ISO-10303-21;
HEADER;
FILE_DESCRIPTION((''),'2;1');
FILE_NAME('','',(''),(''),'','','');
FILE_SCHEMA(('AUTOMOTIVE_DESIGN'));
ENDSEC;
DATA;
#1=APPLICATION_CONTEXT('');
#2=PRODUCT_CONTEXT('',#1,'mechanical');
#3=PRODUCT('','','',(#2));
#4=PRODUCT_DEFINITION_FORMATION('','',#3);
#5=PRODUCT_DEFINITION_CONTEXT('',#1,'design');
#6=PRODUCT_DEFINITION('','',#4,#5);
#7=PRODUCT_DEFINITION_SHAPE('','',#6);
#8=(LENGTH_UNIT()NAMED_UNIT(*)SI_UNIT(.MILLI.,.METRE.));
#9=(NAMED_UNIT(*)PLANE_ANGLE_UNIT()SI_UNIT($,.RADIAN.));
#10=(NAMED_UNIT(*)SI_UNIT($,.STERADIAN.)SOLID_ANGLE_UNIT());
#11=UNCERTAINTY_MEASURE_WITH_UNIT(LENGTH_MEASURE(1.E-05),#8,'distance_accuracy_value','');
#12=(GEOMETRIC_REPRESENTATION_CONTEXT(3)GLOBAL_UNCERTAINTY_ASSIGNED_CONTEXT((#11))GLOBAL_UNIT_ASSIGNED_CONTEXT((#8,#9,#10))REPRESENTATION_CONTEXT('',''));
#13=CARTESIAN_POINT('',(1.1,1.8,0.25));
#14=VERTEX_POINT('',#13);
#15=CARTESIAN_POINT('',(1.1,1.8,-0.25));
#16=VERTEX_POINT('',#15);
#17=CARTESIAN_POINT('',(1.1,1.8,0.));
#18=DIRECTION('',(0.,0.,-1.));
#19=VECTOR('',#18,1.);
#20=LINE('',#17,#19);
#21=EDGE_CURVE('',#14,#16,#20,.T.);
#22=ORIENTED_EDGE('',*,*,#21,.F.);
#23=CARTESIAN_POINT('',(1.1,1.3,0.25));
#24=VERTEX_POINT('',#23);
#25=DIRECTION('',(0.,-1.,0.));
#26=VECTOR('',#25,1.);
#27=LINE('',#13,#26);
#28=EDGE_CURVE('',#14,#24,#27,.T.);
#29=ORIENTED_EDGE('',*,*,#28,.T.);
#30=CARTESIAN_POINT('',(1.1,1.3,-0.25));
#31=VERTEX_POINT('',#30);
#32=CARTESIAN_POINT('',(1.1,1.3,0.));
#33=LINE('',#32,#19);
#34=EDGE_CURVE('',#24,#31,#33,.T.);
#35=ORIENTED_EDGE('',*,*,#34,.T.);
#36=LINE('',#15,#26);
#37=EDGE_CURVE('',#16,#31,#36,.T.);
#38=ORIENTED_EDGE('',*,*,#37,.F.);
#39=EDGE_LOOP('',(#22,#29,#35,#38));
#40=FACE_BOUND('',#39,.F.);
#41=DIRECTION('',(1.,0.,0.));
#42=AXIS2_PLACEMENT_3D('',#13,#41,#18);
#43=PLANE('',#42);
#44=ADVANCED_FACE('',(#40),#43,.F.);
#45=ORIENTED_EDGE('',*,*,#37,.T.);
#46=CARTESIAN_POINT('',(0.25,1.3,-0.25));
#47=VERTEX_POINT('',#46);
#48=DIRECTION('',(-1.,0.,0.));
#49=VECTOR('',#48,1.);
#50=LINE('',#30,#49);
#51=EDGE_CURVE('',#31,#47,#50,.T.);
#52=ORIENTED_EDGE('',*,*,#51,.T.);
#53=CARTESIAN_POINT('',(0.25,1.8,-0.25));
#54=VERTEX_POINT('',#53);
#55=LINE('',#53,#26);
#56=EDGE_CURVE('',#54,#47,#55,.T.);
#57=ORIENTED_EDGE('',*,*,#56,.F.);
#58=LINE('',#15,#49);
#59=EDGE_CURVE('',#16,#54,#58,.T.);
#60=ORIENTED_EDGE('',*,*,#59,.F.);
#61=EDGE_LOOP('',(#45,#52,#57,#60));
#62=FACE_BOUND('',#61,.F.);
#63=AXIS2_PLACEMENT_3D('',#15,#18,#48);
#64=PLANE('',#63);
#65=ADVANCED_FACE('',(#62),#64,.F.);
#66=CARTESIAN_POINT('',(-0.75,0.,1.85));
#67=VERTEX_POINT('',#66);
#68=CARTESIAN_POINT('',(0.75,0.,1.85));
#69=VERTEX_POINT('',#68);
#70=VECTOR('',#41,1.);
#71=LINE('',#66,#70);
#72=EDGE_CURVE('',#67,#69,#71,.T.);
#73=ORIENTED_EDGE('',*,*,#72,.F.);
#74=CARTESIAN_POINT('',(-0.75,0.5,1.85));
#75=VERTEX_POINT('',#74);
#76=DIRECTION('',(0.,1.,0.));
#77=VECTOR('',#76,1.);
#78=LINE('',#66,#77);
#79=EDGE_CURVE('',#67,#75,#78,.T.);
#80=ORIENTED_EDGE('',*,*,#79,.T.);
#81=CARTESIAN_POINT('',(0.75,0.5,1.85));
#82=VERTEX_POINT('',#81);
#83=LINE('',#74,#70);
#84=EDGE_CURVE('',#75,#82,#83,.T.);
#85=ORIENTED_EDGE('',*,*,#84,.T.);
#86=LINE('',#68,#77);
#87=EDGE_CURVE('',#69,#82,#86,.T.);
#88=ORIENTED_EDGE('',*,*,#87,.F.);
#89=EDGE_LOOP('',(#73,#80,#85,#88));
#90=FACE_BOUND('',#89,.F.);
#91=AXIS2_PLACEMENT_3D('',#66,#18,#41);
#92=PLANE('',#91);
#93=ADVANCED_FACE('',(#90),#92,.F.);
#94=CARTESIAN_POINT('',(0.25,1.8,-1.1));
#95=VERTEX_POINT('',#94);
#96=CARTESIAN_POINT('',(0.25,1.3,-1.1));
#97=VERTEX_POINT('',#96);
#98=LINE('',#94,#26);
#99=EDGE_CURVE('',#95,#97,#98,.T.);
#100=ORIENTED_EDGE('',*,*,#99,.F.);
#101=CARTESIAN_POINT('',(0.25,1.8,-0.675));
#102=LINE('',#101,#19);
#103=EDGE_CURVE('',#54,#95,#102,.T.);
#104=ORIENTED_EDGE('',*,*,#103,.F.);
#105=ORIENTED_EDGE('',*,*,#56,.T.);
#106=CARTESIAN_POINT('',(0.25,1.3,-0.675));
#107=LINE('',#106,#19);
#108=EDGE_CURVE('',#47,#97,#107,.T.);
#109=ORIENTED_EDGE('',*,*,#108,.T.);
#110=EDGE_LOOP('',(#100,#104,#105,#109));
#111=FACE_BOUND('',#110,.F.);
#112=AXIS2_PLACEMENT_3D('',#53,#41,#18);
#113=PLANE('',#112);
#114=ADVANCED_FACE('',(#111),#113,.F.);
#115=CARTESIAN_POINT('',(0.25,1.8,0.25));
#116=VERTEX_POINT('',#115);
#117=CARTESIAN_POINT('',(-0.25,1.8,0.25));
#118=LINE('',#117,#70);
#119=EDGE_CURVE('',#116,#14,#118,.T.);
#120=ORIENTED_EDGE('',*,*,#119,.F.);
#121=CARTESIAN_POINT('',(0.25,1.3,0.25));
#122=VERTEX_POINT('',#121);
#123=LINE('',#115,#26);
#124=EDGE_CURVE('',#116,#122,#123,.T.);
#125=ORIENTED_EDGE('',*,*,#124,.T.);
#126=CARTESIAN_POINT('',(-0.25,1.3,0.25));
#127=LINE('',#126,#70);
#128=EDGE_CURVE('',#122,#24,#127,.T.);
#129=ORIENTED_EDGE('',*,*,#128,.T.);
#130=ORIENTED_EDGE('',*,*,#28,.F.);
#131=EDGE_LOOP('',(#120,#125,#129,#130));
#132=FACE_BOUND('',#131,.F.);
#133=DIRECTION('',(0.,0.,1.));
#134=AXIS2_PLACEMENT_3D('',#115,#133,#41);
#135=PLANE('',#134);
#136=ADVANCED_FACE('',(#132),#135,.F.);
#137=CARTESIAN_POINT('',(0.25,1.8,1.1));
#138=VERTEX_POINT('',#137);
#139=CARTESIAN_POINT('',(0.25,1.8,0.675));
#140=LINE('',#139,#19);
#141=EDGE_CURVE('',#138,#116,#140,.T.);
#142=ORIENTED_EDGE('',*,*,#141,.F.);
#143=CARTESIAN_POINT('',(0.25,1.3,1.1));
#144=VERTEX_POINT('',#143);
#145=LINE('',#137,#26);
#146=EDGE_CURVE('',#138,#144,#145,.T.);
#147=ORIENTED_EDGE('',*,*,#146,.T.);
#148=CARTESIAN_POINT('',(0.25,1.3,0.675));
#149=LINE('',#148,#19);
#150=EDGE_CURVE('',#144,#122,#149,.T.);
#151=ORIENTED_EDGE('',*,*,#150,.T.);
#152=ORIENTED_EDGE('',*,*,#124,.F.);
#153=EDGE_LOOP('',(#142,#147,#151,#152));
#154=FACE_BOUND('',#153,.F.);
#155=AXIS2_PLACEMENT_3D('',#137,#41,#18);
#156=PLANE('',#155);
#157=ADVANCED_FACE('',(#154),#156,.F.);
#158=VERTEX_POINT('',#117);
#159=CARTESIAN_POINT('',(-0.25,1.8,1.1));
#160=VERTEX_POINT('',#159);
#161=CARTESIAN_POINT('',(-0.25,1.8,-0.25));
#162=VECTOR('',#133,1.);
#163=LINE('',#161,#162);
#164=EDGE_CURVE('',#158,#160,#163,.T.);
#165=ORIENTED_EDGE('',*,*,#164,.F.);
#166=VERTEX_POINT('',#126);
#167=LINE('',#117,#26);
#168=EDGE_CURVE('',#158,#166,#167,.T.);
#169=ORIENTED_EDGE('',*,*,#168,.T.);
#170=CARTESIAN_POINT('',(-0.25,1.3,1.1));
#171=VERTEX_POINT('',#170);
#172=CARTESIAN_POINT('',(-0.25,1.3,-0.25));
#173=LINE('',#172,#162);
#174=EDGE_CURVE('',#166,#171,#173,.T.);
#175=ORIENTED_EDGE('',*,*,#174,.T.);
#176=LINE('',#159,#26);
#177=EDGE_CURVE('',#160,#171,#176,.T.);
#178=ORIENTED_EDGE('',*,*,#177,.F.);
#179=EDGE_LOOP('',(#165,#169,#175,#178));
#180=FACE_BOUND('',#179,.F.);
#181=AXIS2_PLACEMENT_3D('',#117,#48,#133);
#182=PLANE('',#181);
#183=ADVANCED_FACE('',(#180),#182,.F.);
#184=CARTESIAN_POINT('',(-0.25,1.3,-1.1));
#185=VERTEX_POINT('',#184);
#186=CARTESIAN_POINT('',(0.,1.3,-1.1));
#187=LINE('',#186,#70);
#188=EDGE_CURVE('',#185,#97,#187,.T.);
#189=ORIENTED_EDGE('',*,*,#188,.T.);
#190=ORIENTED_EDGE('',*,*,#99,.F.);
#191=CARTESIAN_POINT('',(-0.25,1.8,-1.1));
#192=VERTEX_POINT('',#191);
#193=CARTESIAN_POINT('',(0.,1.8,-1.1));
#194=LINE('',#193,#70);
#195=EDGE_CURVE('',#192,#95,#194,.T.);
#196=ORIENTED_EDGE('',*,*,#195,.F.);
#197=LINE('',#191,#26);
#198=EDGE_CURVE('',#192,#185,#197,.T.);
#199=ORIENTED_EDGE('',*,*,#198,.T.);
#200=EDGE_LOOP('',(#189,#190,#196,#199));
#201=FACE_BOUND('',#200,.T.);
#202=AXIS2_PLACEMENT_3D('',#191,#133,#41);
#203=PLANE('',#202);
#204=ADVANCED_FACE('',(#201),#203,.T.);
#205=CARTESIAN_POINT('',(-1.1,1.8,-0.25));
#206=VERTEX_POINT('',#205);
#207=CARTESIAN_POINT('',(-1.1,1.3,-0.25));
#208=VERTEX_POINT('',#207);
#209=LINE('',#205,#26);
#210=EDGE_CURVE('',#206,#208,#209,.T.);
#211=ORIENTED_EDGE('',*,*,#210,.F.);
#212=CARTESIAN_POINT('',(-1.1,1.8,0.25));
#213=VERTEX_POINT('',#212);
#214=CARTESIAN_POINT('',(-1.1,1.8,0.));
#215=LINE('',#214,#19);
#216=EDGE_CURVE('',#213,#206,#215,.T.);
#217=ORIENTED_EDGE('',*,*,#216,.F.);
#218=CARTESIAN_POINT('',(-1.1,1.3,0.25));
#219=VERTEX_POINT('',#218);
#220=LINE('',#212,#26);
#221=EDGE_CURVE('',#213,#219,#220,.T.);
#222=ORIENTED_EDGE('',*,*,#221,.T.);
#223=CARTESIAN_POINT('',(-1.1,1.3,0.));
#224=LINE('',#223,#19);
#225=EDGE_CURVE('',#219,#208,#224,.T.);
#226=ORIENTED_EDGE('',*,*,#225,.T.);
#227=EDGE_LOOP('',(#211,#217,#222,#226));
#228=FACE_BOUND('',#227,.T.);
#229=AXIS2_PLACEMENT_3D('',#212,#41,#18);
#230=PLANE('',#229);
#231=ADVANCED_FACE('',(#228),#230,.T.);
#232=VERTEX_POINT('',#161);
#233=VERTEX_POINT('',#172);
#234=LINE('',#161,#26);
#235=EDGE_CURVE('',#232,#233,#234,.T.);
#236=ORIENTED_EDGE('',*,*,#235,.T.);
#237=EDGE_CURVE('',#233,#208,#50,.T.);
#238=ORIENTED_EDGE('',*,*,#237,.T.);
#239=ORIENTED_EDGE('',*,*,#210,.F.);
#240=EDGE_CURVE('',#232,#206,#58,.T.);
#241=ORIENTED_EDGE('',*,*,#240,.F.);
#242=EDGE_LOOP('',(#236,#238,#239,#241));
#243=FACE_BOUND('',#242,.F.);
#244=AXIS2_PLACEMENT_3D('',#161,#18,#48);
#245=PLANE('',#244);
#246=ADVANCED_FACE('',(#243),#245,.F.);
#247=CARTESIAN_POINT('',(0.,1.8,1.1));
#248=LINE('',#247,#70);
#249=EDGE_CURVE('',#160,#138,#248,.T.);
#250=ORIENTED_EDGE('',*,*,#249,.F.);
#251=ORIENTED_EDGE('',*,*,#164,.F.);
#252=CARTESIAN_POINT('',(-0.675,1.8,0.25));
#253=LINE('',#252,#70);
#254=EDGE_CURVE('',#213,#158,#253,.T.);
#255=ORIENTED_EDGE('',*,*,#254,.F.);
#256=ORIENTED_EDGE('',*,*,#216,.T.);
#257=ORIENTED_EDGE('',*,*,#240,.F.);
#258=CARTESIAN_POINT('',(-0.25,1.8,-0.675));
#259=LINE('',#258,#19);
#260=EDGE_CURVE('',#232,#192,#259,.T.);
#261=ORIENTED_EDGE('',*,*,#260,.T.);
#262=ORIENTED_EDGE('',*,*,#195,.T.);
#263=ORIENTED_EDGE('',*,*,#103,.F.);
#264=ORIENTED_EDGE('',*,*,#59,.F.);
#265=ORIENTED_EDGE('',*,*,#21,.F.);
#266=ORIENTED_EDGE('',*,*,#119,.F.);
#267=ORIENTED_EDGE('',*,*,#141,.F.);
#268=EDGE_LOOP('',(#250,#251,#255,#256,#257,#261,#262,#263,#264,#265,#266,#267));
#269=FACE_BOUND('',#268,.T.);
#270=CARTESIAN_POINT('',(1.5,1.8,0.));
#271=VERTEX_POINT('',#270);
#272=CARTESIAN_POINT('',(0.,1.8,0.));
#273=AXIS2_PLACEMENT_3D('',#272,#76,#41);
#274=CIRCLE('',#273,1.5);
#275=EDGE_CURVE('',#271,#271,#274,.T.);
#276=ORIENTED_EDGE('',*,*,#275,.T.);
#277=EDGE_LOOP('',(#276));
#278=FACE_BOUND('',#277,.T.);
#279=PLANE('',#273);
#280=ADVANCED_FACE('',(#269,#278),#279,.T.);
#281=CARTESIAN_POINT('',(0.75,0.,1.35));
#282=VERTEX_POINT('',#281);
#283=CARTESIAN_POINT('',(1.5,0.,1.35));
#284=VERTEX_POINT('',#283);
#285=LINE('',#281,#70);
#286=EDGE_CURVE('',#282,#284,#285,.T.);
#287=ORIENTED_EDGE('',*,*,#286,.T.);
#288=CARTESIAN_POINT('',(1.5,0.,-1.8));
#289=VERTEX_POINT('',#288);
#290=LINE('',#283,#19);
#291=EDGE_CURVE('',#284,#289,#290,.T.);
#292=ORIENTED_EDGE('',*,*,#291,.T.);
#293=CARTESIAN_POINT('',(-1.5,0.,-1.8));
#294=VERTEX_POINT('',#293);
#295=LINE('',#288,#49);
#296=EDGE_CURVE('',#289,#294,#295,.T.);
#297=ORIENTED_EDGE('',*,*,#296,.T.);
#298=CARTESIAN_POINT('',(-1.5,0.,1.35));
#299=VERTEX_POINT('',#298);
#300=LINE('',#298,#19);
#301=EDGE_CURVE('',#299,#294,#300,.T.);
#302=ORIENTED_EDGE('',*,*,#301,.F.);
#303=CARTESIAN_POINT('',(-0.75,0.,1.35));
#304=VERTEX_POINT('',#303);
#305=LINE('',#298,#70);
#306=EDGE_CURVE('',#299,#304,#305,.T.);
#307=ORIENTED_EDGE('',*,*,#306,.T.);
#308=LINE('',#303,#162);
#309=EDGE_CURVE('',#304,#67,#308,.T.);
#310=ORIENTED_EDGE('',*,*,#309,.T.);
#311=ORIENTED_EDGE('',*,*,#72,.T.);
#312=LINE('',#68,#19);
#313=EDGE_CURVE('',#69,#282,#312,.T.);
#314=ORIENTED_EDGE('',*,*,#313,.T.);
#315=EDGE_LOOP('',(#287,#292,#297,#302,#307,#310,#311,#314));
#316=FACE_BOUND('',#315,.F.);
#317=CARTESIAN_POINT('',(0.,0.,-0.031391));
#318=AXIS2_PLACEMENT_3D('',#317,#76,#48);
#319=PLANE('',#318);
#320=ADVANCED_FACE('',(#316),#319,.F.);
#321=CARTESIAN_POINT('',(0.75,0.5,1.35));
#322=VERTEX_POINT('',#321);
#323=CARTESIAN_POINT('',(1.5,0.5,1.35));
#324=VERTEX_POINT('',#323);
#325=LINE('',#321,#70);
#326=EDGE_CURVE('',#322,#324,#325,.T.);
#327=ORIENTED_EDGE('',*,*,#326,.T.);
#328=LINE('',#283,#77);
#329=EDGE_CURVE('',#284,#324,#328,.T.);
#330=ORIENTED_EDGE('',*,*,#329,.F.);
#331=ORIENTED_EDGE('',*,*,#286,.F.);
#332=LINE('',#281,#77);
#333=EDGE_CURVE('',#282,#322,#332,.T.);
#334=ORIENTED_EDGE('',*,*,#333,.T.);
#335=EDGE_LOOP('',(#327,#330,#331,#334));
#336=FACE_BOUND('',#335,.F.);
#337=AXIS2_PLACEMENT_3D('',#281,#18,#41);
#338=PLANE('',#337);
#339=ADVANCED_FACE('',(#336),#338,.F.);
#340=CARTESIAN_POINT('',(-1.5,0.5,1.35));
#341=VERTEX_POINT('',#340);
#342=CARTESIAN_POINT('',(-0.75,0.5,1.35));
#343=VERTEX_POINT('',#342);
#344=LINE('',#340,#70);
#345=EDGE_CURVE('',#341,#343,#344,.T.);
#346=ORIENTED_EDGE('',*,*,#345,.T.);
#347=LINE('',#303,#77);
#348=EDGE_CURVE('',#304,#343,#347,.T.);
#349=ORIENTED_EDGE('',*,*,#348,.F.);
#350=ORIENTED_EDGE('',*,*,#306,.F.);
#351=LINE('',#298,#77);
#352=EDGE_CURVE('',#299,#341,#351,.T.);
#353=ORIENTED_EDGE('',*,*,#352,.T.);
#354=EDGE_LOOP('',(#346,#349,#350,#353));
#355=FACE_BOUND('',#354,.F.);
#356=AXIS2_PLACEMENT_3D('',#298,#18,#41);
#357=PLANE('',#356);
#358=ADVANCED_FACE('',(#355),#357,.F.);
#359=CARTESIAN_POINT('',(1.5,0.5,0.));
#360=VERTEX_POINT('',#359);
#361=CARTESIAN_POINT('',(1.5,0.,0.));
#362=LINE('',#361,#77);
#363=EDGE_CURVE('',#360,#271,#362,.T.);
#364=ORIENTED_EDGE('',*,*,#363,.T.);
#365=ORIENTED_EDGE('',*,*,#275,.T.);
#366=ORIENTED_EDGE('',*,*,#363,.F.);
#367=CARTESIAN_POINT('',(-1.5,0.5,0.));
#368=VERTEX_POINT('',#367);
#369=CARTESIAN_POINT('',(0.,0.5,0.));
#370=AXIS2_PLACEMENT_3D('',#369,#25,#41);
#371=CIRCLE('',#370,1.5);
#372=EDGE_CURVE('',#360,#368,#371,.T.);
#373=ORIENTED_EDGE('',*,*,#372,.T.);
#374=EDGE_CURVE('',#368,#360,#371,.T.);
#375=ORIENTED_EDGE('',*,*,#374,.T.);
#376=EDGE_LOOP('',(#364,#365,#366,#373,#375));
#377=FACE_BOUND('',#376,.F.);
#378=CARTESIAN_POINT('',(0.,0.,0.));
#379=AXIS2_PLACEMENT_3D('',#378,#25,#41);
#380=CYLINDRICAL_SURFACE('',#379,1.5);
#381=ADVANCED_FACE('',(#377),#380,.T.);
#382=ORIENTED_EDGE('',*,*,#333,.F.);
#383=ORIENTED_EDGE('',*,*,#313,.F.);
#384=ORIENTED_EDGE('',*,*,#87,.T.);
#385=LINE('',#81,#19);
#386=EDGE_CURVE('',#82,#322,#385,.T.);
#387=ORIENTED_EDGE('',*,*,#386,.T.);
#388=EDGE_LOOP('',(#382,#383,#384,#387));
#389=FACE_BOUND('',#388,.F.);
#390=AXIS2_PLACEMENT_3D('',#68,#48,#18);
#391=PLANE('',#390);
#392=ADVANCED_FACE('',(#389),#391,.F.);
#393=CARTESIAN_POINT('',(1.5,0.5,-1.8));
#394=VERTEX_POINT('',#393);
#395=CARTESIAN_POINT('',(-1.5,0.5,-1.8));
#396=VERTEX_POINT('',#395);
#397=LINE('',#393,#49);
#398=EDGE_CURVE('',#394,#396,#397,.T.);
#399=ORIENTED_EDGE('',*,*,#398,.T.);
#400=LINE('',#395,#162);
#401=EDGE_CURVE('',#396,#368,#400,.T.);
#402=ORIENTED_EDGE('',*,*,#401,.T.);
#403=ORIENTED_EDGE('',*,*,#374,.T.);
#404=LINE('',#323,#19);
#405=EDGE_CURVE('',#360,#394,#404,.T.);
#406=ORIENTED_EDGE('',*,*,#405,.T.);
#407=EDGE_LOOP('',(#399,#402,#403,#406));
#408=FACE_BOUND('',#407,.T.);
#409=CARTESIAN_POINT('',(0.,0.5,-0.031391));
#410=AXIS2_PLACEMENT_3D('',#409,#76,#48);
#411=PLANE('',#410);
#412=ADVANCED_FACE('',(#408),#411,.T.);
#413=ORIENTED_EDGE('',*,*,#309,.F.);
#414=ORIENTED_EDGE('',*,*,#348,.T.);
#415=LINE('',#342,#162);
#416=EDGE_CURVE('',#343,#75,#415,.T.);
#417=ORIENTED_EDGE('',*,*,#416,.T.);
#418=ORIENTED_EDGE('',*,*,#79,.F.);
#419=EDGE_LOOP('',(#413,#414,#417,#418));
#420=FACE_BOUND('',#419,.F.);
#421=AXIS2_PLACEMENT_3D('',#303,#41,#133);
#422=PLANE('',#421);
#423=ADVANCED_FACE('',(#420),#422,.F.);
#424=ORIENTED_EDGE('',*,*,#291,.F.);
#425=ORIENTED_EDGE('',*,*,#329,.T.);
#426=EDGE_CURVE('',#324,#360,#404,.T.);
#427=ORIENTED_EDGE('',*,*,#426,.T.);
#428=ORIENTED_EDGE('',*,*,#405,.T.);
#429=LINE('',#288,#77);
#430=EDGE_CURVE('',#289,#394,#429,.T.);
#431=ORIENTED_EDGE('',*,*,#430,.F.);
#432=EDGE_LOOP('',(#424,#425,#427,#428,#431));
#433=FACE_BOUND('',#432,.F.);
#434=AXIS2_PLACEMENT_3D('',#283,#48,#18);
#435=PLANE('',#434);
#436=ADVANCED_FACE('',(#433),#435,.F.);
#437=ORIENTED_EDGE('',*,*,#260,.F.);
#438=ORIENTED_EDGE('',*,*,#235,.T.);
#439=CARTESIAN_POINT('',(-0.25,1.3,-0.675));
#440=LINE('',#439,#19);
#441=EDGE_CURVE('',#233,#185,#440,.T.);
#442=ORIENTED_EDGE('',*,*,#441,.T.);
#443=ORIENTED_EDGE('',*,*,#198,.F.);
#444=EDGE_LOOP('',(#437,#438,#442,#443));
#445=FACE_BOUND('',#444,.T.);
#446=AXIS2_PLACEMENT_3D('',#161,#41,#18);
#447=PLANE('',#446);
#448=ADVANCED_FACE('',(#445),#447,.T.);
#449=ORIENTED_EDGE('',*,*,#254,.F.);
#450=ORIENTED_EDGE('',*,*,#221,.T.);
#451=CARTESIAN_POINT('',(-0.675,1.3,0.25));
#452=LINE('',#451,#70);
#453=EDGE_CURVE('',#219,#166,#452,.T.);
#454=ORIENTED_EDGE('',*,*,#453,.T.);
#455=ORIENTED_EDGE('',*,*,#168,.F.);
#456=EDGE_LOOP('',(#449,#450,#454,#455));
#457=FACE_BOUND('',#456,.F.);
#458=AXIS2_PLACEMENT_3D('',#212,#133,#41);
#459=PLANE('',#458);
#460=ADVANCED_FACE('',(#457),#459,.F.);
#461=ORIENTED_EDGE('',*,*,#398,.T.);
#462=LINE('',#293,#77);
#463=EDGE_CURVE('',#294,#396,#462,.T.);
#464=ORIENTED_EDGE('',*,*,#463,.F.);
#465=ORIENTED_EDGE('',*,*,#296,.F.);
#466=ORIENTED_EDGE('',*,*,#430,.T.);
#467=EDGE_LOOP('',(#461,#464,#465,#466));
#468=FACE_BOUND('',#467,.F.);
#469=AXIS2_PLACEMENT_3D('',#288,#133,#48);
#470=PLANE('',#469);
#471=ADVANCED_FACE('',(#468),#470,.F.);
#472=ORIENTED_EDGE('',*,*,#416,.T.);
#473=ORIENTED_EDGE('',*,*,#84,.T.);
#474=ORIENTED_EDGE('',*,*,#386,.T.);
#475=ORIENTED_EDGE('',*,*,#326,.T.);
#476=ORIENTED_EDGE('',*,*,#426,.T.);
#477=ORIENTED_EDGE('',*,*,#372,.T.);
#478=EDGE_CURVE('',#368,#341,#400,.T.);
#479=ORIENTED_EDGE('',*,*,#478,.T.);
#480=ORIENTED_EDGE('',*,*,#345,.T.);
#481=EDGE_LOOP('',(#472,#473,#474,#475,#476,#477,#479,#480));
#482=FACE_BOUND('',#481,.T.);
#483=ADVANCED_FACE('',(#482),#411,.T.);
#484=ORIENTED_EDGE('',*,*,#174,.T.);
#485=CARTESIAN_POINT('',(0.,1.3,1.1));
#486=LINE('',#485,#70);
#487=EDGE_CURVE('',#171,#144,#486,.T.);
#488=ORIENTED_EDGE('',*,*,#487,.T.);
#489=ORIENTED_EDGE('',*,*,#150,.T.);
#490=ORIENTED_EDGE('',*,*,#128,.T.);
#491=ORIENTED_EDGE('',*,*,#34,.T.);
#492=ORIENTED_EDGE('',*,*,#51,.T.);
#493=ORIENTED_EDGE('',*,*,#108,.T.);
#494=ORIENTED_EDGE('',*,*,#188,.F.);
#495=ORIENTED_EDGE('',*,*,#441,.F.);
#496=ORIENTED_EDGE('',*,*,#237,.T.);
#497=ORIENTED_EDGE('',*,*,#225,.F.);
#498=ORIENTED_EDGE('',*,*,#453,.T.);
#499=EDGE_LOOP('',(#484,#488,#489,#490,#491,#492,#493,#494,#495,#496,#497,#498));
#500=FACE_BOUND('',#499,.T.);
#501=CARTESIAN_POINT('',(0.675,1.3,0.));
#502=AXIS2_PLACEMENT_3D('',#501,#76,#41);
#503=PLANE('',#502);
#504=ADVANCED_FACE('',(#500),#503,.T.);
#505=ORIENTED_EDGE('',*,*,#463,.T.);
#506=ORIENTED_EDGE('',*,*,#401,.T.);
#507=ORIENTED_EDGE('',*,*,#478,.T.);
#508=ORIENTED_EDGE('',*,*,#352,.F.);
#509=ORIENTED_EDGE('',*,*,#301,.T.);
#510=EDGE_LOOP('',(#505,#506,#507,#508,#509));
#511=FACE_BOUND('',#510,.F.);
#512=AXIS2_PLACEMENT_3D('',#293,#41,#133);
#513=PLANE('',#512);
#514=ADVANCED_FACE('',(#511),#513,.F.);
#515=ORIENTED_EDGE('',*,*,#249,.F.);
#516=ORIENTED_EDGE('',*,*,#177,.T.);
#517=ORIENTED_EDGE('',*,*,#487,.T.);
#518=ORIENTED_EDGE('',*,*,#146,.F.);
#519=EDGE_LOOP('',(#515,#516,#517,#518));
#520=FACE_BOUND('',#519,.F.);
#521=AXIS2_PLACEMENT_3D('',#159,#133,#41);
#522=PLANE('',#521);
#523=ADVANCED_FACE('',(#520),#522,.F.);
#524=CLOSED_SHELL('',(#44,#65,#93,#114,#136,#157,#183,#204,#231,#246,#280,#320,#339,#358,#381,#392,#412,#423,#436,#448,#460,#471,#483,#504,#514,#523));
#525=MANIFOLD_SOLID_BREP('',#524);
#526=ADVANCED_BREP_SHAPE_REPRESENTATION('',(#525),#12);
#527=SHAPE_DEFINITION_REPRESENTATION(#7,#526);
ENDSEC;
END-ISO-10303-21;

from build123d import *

# Parameters (mm, degrees)
SKETCH1_R           = 1.5
BOSS_EXTRUDE1_DEPTH = 1.8
BOSS_EXTRUDE2_DEPTH = 0.5
SKETCH4_W           = 0.85
SKETCH4_H           = 0.5
SKETCH4_W_2         = 0.5
SKETCH4_H_2         = 0.85
CUT_EXTRUDE1_DEPTH  = 0.5


with BuildPart() as part:
    # Sketch1 → Boss-Extrude1 (new body)
    with BuildSketch(Plane(origin=(0, 0, 0), x_dir=(1, 0, 0), z_dir=(0, 1, 0))):
        Circle(SKETCH1_R)
    extrude(amount=BOSS_EXTRUDE1_DEPTH)

    # Sketch2 → Boss-Extrude2 (add)
    with BuildSketch(Plane.XZ):
        Polygon((1.5, 1.35), (1.5, -1.8), (-1.5, -1.8), (-1.5, 1.35), (-0.75, 1.35), (-0.75, 1.85), (0.75, 1.85), (0.75, 1.35), align=None)
    extrude(amount=-BOSS_EXTRUDE2_DEPTH)

    # Sketch4 → Cut-Extrude1 (cut)
    with BuildSketch(Plane(origin=(0, 1.8, 0), x_dir=(1, 0, 0), z_dir=(0, 1, 0))):
        with Locations((0.675, 0)):
            Rectangle(SKETCH4_W, SKETCH4_H)
        Rectangle(SKETCH4_W_2, SKETCH4_H)
        with Locations((0, -0.675)):
            Rectangle(SKETCH4_W_2, SKETCH4_H_2)
        with Locations((-0.675, 0)):
            Rectangle(SKETCH4_W, SKETCH4_H)
        with Locations((0, 0.675)):
            Rectangle(SKETCH4_W_2, SKETCH4_H_2)
    extrude(amount=-CUT_EXTRUDE1_DEPTH, mode=Mode.SUBTRACT)


solid = part.part
